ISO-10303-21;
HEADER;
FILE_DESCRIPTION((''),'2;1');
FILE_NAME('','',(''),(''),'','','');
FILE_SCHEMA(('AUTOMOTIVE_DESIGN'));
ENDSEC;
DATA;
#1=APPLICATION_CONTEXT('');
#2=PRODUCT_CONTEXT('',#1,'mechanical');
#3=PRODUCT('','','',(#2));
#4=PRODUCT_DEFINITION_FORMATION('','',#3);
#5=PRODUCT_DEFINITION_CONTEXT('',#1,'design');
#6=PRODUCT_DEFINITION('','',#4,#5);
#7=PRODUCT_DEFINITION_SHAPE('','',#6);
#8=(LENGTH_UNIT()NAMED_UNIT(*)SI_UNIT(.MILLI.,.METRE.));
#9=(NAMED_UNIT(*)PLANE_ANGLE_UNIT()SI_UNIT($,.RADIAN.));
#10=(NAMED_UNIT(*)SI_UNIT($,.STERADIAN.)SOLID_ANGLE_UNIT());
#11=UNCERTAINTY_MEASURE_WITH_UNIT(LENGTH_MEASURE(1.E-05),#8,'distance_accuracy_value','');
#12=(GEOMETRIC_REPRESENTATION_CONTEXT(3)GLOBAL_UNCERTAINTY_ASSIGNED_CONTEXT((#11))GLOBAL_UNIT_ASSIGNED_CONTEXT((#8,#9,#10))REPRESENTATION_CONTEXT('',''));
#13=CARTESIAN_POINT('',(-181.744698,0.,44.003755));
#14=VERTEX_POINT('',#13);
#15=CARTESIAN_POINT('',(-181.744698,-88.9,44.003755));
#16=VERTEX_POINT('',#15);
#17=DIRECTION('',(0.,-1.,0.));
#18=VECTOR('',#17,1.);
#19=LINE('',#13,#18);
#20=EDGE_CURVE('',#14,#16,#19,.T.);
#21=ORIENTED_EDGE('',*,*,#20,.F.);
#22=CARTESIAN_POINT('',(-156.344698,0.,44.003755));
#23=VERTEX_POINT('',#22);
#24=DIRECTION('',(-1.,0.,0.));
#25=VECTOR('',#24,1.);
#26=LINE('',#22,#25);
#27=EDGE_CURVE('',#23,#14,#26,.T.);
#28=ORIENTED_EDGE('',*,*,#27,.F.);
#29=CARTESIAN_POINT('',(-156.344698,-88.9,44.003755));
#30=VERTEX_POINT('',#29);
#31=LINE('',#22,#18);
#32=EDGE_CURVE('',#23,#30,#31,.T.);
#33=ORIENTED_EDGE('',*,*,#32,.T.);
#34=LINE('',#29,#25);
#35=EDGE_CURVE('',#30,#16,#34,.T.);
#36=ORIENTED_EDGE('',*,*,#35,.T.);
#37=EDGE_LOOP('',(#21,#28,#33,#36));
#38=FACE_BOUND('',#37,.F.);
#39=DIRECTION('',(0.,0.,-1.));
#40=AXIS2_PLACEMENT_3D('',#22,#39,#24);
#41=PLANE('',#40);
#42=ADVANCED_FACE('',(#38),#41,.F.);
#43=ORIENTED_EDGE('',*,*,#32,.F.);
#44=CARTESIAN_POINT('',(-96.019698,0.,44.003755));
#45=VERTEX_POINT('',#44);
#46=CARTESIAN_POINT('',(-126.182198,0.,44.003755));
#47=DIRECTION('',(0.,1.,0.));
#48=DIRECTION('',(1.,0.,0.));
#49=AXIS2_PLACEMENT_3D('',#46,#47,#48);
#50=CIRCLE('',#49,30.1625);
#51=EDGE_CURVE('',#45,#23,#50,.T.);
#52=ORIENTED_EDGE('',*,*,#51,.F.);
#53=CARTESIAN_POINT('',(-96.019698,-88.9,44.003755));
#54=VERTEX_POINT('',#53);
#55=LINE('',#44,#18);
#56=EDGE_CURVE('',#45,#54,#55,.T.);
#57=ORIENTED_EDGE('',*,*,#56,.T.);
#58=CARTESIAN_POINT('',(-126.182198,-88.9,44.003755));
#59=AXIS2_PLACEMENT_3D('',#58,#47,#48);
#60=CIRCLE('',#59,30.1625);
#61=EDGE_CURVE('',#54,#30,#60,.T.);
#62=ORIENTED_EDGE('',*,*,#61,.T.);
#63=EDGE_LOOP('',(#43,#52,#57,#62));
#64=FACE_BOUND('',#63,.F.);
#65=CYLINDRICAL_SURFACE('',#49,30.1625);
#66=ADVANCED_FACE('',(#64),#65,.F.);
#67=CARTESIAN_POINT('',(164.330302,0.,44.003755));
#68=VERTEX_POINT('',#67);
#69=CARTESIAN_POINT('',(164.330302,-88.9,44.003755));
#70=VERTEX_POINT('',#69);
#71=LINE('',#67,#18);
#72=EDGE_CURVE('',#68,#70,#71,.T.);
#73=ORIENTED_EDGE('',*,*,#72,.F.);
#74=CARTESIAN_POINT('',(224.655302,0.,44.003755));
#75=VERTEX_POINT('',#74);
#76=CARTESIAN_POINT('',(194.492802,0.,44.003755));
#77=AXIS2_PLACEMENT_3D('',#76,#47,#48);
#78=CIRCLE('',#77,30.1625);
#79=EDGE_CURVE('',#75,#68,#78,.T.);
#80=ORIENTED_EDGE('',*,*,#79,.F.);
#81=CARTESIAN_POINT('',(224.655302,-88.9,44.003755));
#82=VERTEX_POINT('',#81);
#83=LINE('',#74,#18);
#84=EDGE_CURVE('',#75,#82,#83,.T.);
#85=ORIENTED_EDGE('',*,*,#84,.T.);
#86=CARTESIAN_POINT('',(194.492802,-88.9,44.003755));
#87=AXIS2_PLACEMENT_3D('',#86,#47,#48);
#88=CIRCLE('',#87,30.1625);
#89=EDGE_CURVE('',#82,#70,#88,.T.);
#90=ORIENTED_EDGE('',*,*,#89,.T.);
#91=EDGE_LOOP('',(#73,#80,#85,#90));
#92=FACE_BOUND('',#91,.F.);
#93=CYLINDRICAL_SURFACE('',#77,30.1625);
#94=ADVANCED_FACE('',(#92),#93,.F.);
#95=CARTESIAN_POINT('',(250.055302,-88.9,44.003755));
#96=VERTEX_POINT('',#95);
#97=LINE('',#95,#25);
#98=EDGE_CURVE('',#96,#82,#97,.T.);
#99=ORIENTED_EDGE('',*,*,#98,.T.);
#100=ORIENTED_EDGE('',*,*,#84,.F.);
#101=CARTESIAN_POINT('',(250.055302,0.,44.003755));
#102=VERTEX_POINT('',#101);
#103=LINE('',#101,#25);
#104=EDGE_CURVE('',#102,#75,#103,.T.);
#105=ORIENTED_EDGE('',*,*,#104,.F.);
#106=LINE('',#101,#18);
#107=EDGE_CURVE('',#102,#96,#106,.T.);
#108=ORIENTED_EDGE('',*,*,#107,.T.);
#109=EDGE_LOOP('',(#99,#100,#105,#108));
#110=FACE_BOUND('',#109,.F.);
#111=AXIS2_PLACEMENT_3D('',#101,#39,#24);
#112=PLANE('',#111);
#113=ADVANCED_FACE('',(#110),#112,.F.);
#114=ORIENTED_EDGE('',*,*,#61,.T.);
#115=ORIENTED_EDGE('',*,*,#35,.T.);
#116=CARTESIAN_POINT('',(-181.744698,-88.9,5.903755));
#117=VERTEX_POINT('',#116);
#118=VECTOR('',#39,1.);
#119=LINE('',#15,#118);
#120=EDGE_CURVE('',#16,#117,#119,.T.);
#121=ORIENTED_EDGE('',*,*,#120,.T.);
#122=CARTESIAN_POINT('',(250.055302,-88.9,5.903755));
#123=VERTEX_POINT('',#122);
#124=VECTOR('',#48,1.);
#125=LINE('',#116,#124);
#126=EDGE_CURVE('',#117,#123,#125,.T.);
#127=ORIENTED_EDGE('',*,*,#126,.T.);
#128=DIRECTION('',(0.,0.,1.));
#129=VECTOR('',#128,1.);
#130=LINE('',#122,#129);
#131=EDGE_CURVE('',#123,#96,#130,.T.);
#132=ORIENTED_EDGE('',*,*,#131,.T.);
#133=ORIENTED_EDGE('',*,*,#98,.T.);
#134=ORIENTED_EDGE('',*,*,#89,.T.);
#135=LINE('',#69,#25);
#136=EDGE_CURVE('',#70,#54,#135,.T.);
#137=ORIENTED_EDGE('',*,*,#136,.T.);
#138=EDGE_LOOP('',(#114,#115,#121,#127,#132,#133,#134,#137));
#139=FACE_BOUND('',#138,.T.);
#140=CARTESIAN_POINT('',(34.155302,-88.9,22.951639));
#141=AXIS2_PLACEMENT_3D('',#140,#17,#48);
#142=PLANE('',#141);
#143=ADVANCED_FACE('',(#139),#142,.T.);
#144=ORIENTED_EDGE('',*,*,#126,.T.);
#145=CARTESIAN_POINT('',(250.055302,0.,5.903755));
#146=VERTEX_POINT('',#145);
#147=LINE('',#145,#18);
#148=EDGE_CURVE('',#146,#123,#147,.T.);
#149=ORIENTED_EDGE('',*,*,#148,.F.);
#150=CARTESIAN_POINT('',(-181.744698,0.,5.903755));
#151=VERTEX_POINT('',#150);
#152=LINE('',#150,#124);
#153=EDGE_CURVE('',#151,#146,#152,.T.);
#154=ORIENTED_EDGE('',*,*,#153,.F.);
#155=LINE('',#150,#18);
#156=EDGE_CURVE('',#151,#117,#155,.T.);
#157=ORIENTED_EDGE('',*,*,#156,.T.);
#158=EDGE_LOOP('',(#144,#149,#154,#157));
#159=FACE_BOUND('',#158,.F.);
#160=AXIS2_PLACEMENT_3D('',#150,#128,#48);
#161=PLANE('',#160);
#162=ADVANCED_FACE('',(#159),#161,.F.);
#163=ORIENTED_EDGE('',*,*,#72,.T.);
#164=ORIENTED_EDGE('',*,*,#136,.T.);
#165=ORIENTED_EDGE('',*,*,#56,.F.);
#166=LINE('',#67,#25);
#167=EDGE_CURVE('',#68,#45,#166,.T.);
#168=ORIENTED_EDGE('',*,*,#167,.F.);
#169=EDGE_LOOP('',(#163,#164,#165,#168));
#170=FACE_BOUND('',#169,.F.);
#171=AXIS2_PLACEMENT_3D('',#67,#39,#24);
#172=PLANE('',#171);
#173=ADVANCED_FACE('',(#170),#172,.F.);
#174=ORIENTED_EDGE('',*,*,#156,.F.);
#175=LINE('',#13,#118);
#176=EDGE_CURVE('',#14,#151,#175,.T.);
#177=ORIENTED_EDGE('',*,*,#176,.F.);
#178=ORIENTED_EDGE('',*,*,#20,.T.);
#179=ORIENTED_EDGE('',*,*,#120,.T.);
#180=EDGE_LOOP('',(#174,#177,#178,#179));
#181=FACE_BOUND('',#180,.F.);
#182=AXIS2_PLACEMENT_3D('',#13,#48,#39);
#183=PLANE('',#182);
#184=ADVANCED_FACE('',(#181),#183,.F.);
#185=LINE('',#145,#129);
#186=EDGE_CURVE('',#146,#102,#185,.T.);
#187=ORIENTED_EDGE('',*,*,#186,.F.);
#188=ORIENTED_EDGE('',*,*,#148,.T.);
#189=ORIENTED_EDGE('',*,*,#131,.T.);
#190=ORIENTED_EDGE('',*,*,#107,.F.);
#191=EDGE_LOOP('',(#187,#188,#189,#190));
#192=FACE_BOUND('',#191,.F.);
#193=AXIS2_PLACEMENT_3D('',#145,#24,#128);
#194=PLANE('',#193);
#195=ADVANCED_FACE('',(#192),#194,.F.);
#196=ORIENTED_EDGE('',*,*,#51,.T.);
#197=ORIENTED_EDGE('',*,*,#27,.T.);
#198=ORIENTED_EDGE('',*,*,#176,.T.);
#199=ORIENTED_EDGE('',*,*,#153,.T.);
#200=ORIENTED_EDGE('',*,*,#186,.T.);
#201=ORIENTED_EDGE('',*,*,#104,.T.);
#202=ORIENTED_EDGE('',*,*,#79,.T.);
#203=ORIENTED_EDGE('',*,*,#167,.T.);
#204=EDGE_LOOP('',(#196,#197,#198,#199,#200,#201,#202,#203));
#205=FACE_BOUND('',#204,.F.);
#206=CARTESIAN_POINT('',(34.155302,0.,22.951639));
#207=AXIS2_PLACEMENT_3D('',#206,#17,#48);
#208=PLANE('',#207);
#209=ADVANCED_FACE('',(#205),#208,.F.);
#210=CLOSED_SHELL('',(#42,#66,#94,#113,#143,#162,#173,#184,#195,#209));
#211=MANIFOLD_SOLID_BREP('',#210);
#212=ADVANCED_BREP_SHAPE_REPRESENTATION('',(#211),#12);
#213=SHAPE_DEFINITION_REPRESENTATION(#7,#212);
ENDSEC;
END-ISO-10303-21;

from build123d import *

# Parameters (mm, degrees)
F1_DEPTH = 88.9


with BuildPart() as f1:
    # F0 (on Front) → F1 (new body)
    with BuildSketch(Plane.XZ):
        with BuildLine():
            Line((-156.344698, 44.003755), (-181.744698, 44.003755))
            Line((-181.744698, 44.003755), (-181.744698, 5.903755))
            Line((-181.744698, 5.903755), (250.055302, 5.903755))
            Line((250.055302, 5.903755), (250.055302, 44.003755))
            Line((250.055302, 44.003755), (224.655302, 44.003755))
            ThreePointArc((224.655302, 44.003755), (194.492802, 13.841255), (164.330302, 44.003755))
            Line((164.330302, 44.003755), (-96.019698, 44.003755))
            ThreePointArc((-96.019698, 44.003755), (-126.182198, 13.841255), (-156.344698, 44.003755))
        make_face()
    extrude(amount=F1_DEPTH)


solid = f1.part
